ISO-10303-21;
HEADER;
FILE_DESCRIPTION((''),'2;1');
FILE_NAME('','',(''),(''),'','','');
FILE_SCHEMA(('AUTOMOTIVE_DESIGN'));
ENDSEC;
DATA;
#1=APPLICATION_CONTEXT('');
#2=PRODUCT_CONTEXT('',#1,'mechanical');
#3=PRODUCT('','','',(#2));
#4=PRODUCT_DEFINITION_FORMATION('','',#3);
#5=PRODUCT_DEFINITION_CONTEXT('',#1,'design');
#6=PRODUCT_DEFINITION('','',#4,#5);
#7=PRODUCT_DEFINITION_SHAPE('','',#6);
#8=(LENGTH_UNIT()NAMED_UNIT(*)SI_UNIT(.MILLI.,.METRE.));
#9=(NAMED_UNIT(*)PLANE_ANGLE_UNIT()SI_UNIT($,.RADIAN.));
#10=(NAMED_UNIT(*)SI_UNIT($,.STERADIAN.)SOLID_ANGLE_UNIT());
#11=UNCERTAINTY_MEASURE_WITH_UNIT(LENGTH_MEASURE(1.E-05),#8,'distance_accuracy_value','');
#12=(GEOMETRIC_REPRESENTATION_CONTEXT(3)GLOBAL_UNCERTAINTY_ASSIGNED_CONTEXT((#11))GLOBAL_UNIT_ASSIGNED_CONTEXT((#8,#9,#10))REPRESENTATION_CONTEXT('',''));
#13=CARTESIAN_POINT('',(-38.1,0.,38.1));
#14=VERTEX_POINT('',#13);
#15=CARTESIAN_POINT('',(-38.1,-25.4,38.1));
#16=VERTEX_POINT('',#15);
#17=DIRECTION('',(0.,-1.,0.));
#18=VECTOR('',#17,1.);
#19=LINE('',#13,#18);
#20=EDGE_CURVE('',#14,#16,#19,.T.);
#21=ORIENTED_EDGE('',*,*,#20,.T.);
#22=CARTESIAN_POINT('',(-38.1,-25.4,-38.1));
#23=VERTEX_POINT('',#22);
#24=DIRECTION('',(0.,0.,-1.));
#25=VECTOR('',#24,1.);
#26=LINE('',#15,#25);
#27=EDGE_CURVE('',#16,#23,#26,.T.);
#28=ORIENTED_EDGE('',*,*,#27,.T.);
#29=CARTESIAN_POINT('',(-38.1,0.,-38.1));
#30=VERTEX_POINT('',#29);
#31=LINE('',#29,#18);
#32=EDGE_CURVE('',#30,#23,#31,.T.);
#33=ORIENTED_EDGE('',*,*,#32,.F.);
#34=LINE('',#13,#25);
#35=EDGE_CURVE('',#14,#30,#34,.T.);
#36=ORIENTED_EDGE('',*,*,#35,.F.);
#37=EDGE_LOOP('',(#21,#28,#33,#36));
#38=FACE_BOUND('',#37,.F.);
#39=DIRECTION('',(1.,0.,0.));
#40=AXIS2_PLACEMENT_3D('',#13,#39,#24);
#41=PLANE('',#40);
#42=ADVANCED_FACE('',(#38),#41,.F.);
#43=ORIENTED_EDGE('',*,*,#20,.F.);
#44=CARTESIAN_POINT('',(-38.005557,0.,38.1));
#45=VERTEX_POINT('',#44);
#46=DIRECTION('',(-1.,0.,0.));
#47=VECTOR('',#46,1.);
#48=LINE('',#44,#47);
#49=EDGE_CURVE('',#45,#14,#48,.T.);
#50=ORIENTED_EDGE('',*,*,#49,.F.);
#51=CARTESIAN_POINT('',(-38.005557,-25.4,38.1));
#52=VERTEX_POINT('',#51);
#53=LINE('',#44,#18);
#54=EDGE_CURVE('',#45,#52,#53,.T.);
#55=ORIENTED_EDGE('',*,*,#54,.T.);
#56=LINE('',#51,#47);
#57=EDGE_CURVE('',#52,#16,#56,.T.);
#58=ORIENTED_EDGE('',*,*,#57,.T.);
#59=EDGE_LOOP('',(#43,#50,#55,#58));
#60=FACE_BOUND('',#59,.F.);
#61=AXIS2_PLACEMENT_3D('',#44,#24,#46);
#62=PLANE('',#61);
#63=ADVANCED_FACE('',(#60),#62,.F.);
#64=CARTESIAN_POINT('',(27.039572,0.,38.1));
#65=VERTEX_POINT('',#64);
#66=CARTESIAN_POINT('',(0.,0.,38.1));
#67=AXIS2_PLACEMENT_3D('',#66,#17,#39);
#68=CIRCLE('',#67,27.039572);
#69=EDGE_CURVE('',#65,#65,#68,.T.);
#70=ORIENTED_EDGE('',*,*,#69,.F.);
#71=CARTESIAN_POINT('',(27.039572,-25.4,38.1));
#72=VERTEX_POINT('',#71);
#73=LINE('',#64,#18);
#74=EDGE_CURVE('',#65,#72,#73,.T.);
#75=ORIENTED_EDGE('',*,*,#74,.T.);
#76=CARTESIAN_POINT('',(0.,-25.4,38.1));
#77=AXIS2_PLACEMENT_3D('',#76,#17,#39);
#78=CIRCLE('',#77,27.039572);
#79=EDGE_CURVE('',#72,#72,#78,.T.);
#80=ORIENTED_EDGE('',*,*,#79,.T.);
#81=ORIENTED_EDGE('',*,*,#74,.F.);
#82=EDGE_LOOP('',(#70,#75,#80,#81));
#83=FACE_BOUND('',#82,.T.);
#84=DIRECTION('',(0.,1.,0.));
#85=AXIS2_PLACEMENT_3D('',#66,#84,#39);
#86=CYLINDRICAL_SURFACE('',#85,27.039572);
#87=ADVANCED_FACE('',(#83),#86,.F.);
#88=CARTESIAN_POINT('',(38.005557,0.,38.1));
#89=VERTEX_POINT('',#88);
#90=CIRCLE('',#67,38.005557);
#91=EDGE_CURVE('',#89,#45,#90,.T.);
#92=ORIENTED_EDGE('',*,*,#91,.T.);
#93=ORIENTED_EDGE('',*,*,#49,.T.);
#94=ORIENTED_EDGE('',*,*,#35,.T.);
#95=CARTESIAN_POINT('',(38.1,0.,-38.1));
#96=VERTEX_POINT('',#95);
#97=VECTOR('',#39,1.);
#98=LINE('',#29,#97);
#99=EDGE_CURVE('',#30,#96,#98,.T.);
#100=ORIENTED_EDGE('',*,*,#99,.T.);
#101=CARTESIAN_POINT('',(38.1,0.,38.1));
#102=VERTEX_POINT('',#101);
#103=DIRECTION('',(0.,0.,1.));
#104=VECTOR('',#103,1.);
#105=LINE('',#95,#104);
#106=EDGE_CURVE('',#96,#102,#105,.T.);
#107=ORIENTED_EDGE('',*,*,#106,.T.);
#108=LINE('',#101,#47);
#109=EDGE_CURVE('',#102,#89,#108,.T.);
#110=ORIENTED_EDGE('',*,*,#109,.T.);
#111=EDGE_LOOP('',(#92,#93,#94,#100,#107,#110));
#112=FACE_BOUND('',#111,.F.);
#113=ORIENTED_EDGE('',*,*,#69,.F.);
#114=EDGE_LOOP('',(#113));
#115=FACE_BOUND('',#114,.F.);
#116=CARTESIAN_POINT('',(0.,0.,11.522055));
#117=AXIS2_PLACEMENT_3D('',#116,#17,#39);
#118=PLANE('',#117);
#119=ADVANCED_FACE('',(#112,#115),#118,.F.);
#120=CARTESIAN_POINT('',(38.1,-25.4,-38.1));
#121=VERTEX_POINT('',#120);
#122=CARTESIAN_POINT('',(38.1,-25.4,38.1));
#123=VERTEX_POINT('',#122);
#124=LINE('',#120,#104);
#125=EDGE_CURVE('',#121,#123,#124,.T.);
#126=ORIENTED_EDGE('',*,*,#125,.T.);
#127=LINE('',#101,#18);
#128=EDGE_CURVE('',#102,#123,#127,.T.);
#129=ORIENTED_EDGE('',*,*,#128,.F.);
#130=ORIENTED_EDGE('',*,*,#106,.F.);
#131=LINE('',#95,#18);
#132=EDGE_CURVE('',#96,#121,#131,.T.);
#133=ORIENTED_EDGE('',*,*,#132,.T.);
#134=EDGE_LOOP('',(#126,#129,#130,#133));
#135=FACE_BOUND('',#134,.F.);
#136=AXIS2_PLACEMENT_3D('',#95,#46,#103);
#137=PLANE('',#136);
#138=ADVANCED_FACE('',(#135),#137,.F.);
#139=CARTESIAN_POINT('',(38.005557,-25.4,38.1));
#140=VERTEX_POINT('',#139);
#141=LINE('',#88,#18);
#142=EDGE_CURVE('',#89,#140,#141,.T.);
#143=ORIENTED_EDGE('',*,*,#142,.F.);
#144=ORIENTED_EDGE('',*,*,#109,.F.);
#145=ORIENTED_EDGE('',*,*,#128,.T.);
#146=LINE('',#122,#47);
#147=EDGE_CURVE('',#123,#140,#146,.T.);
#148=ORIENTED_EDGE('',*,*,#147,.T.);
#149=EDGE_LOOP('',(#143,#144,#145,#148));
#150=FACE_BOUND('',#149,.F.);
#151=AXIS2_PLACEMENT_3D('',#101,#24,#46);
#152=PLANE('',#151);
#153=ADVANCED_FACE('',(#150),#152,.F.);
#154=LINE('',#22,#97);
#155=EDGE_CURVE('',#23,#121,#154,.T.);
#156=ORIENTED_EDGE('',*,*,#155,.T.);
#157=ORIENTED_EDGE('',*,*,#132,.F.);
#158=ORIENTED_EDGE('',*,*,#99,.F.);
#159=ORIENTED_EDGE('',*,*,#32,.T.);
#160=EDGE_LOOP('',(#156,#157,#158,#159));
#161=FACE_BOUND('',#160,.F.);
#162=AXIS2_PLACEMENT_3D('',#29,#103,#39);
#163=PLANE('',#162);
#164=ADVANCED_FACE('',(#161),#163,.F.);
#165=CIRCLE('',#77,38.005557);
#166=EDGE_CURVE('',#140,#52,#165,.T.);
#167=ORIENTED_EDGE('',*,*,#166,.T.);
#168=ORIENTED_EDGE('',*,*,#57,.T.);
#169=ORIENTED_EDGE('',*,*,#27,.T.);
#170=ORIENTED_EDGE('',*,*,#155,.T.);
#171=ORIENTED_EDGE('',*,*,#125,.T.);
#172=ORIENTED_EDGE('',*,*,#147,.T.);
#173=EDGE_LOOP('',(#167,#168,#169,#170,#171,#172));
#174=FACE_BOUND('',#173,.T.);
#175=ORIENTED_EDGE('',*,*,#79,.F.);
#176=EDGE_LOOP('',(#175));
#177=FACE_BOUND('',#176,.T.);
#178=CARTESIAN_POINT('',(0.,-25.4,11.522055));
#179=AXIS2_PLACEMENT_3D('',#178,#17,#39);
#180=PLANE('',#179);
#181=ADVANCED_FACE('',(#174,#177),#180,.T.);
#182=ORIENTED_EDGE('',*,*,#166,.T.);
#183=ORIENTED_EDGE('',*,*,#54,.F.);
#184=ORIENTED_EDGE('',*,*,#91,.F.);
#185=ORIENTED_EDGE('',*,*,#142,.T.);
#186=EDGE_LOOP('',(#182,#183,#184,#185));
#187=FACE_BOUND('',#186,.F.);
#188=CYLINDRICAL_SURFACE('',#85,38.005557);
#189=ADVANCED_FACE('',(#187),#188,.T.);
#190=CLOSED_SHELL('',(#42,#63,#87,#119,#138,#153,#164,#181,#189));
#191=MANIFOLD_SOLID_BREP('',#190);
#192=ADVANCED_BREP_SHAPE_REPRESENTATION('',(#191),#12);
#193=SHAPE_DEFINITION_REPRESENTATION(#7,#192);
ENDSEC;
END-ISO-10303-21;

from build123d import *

# Parameters (mm, degrees)
F0_R     = 27.039572
F1_DEPTH = 25.4


with BuildPart() as f1:
    # F0 (on Front) → F1 (new body)
    with BuildSketch(Plane.XZ):
        with BuildLine():
            Line((-38.1, -38.1), (38.1, -38.1))
            Line((38.1, -38.1), (38.1, 38.1))
            Line((38.1, 38.1), (38.005557, 38.1))
            ThreePointArc((38.005557, 38.1), (0, 76.105557), (-38.005557, 38.1))
            Line((-38.005557, 38.1), (-38.1, 38.1))
            Line((-38.1, 38.1), (-38.1, -38.1))
        make_face()
        with Locations((0, 38.1)):
            Circle(F0_R, mode=Mode.SUBTRACT)
    extrude(amount=F1_DEPTH)


solid = f1.part
